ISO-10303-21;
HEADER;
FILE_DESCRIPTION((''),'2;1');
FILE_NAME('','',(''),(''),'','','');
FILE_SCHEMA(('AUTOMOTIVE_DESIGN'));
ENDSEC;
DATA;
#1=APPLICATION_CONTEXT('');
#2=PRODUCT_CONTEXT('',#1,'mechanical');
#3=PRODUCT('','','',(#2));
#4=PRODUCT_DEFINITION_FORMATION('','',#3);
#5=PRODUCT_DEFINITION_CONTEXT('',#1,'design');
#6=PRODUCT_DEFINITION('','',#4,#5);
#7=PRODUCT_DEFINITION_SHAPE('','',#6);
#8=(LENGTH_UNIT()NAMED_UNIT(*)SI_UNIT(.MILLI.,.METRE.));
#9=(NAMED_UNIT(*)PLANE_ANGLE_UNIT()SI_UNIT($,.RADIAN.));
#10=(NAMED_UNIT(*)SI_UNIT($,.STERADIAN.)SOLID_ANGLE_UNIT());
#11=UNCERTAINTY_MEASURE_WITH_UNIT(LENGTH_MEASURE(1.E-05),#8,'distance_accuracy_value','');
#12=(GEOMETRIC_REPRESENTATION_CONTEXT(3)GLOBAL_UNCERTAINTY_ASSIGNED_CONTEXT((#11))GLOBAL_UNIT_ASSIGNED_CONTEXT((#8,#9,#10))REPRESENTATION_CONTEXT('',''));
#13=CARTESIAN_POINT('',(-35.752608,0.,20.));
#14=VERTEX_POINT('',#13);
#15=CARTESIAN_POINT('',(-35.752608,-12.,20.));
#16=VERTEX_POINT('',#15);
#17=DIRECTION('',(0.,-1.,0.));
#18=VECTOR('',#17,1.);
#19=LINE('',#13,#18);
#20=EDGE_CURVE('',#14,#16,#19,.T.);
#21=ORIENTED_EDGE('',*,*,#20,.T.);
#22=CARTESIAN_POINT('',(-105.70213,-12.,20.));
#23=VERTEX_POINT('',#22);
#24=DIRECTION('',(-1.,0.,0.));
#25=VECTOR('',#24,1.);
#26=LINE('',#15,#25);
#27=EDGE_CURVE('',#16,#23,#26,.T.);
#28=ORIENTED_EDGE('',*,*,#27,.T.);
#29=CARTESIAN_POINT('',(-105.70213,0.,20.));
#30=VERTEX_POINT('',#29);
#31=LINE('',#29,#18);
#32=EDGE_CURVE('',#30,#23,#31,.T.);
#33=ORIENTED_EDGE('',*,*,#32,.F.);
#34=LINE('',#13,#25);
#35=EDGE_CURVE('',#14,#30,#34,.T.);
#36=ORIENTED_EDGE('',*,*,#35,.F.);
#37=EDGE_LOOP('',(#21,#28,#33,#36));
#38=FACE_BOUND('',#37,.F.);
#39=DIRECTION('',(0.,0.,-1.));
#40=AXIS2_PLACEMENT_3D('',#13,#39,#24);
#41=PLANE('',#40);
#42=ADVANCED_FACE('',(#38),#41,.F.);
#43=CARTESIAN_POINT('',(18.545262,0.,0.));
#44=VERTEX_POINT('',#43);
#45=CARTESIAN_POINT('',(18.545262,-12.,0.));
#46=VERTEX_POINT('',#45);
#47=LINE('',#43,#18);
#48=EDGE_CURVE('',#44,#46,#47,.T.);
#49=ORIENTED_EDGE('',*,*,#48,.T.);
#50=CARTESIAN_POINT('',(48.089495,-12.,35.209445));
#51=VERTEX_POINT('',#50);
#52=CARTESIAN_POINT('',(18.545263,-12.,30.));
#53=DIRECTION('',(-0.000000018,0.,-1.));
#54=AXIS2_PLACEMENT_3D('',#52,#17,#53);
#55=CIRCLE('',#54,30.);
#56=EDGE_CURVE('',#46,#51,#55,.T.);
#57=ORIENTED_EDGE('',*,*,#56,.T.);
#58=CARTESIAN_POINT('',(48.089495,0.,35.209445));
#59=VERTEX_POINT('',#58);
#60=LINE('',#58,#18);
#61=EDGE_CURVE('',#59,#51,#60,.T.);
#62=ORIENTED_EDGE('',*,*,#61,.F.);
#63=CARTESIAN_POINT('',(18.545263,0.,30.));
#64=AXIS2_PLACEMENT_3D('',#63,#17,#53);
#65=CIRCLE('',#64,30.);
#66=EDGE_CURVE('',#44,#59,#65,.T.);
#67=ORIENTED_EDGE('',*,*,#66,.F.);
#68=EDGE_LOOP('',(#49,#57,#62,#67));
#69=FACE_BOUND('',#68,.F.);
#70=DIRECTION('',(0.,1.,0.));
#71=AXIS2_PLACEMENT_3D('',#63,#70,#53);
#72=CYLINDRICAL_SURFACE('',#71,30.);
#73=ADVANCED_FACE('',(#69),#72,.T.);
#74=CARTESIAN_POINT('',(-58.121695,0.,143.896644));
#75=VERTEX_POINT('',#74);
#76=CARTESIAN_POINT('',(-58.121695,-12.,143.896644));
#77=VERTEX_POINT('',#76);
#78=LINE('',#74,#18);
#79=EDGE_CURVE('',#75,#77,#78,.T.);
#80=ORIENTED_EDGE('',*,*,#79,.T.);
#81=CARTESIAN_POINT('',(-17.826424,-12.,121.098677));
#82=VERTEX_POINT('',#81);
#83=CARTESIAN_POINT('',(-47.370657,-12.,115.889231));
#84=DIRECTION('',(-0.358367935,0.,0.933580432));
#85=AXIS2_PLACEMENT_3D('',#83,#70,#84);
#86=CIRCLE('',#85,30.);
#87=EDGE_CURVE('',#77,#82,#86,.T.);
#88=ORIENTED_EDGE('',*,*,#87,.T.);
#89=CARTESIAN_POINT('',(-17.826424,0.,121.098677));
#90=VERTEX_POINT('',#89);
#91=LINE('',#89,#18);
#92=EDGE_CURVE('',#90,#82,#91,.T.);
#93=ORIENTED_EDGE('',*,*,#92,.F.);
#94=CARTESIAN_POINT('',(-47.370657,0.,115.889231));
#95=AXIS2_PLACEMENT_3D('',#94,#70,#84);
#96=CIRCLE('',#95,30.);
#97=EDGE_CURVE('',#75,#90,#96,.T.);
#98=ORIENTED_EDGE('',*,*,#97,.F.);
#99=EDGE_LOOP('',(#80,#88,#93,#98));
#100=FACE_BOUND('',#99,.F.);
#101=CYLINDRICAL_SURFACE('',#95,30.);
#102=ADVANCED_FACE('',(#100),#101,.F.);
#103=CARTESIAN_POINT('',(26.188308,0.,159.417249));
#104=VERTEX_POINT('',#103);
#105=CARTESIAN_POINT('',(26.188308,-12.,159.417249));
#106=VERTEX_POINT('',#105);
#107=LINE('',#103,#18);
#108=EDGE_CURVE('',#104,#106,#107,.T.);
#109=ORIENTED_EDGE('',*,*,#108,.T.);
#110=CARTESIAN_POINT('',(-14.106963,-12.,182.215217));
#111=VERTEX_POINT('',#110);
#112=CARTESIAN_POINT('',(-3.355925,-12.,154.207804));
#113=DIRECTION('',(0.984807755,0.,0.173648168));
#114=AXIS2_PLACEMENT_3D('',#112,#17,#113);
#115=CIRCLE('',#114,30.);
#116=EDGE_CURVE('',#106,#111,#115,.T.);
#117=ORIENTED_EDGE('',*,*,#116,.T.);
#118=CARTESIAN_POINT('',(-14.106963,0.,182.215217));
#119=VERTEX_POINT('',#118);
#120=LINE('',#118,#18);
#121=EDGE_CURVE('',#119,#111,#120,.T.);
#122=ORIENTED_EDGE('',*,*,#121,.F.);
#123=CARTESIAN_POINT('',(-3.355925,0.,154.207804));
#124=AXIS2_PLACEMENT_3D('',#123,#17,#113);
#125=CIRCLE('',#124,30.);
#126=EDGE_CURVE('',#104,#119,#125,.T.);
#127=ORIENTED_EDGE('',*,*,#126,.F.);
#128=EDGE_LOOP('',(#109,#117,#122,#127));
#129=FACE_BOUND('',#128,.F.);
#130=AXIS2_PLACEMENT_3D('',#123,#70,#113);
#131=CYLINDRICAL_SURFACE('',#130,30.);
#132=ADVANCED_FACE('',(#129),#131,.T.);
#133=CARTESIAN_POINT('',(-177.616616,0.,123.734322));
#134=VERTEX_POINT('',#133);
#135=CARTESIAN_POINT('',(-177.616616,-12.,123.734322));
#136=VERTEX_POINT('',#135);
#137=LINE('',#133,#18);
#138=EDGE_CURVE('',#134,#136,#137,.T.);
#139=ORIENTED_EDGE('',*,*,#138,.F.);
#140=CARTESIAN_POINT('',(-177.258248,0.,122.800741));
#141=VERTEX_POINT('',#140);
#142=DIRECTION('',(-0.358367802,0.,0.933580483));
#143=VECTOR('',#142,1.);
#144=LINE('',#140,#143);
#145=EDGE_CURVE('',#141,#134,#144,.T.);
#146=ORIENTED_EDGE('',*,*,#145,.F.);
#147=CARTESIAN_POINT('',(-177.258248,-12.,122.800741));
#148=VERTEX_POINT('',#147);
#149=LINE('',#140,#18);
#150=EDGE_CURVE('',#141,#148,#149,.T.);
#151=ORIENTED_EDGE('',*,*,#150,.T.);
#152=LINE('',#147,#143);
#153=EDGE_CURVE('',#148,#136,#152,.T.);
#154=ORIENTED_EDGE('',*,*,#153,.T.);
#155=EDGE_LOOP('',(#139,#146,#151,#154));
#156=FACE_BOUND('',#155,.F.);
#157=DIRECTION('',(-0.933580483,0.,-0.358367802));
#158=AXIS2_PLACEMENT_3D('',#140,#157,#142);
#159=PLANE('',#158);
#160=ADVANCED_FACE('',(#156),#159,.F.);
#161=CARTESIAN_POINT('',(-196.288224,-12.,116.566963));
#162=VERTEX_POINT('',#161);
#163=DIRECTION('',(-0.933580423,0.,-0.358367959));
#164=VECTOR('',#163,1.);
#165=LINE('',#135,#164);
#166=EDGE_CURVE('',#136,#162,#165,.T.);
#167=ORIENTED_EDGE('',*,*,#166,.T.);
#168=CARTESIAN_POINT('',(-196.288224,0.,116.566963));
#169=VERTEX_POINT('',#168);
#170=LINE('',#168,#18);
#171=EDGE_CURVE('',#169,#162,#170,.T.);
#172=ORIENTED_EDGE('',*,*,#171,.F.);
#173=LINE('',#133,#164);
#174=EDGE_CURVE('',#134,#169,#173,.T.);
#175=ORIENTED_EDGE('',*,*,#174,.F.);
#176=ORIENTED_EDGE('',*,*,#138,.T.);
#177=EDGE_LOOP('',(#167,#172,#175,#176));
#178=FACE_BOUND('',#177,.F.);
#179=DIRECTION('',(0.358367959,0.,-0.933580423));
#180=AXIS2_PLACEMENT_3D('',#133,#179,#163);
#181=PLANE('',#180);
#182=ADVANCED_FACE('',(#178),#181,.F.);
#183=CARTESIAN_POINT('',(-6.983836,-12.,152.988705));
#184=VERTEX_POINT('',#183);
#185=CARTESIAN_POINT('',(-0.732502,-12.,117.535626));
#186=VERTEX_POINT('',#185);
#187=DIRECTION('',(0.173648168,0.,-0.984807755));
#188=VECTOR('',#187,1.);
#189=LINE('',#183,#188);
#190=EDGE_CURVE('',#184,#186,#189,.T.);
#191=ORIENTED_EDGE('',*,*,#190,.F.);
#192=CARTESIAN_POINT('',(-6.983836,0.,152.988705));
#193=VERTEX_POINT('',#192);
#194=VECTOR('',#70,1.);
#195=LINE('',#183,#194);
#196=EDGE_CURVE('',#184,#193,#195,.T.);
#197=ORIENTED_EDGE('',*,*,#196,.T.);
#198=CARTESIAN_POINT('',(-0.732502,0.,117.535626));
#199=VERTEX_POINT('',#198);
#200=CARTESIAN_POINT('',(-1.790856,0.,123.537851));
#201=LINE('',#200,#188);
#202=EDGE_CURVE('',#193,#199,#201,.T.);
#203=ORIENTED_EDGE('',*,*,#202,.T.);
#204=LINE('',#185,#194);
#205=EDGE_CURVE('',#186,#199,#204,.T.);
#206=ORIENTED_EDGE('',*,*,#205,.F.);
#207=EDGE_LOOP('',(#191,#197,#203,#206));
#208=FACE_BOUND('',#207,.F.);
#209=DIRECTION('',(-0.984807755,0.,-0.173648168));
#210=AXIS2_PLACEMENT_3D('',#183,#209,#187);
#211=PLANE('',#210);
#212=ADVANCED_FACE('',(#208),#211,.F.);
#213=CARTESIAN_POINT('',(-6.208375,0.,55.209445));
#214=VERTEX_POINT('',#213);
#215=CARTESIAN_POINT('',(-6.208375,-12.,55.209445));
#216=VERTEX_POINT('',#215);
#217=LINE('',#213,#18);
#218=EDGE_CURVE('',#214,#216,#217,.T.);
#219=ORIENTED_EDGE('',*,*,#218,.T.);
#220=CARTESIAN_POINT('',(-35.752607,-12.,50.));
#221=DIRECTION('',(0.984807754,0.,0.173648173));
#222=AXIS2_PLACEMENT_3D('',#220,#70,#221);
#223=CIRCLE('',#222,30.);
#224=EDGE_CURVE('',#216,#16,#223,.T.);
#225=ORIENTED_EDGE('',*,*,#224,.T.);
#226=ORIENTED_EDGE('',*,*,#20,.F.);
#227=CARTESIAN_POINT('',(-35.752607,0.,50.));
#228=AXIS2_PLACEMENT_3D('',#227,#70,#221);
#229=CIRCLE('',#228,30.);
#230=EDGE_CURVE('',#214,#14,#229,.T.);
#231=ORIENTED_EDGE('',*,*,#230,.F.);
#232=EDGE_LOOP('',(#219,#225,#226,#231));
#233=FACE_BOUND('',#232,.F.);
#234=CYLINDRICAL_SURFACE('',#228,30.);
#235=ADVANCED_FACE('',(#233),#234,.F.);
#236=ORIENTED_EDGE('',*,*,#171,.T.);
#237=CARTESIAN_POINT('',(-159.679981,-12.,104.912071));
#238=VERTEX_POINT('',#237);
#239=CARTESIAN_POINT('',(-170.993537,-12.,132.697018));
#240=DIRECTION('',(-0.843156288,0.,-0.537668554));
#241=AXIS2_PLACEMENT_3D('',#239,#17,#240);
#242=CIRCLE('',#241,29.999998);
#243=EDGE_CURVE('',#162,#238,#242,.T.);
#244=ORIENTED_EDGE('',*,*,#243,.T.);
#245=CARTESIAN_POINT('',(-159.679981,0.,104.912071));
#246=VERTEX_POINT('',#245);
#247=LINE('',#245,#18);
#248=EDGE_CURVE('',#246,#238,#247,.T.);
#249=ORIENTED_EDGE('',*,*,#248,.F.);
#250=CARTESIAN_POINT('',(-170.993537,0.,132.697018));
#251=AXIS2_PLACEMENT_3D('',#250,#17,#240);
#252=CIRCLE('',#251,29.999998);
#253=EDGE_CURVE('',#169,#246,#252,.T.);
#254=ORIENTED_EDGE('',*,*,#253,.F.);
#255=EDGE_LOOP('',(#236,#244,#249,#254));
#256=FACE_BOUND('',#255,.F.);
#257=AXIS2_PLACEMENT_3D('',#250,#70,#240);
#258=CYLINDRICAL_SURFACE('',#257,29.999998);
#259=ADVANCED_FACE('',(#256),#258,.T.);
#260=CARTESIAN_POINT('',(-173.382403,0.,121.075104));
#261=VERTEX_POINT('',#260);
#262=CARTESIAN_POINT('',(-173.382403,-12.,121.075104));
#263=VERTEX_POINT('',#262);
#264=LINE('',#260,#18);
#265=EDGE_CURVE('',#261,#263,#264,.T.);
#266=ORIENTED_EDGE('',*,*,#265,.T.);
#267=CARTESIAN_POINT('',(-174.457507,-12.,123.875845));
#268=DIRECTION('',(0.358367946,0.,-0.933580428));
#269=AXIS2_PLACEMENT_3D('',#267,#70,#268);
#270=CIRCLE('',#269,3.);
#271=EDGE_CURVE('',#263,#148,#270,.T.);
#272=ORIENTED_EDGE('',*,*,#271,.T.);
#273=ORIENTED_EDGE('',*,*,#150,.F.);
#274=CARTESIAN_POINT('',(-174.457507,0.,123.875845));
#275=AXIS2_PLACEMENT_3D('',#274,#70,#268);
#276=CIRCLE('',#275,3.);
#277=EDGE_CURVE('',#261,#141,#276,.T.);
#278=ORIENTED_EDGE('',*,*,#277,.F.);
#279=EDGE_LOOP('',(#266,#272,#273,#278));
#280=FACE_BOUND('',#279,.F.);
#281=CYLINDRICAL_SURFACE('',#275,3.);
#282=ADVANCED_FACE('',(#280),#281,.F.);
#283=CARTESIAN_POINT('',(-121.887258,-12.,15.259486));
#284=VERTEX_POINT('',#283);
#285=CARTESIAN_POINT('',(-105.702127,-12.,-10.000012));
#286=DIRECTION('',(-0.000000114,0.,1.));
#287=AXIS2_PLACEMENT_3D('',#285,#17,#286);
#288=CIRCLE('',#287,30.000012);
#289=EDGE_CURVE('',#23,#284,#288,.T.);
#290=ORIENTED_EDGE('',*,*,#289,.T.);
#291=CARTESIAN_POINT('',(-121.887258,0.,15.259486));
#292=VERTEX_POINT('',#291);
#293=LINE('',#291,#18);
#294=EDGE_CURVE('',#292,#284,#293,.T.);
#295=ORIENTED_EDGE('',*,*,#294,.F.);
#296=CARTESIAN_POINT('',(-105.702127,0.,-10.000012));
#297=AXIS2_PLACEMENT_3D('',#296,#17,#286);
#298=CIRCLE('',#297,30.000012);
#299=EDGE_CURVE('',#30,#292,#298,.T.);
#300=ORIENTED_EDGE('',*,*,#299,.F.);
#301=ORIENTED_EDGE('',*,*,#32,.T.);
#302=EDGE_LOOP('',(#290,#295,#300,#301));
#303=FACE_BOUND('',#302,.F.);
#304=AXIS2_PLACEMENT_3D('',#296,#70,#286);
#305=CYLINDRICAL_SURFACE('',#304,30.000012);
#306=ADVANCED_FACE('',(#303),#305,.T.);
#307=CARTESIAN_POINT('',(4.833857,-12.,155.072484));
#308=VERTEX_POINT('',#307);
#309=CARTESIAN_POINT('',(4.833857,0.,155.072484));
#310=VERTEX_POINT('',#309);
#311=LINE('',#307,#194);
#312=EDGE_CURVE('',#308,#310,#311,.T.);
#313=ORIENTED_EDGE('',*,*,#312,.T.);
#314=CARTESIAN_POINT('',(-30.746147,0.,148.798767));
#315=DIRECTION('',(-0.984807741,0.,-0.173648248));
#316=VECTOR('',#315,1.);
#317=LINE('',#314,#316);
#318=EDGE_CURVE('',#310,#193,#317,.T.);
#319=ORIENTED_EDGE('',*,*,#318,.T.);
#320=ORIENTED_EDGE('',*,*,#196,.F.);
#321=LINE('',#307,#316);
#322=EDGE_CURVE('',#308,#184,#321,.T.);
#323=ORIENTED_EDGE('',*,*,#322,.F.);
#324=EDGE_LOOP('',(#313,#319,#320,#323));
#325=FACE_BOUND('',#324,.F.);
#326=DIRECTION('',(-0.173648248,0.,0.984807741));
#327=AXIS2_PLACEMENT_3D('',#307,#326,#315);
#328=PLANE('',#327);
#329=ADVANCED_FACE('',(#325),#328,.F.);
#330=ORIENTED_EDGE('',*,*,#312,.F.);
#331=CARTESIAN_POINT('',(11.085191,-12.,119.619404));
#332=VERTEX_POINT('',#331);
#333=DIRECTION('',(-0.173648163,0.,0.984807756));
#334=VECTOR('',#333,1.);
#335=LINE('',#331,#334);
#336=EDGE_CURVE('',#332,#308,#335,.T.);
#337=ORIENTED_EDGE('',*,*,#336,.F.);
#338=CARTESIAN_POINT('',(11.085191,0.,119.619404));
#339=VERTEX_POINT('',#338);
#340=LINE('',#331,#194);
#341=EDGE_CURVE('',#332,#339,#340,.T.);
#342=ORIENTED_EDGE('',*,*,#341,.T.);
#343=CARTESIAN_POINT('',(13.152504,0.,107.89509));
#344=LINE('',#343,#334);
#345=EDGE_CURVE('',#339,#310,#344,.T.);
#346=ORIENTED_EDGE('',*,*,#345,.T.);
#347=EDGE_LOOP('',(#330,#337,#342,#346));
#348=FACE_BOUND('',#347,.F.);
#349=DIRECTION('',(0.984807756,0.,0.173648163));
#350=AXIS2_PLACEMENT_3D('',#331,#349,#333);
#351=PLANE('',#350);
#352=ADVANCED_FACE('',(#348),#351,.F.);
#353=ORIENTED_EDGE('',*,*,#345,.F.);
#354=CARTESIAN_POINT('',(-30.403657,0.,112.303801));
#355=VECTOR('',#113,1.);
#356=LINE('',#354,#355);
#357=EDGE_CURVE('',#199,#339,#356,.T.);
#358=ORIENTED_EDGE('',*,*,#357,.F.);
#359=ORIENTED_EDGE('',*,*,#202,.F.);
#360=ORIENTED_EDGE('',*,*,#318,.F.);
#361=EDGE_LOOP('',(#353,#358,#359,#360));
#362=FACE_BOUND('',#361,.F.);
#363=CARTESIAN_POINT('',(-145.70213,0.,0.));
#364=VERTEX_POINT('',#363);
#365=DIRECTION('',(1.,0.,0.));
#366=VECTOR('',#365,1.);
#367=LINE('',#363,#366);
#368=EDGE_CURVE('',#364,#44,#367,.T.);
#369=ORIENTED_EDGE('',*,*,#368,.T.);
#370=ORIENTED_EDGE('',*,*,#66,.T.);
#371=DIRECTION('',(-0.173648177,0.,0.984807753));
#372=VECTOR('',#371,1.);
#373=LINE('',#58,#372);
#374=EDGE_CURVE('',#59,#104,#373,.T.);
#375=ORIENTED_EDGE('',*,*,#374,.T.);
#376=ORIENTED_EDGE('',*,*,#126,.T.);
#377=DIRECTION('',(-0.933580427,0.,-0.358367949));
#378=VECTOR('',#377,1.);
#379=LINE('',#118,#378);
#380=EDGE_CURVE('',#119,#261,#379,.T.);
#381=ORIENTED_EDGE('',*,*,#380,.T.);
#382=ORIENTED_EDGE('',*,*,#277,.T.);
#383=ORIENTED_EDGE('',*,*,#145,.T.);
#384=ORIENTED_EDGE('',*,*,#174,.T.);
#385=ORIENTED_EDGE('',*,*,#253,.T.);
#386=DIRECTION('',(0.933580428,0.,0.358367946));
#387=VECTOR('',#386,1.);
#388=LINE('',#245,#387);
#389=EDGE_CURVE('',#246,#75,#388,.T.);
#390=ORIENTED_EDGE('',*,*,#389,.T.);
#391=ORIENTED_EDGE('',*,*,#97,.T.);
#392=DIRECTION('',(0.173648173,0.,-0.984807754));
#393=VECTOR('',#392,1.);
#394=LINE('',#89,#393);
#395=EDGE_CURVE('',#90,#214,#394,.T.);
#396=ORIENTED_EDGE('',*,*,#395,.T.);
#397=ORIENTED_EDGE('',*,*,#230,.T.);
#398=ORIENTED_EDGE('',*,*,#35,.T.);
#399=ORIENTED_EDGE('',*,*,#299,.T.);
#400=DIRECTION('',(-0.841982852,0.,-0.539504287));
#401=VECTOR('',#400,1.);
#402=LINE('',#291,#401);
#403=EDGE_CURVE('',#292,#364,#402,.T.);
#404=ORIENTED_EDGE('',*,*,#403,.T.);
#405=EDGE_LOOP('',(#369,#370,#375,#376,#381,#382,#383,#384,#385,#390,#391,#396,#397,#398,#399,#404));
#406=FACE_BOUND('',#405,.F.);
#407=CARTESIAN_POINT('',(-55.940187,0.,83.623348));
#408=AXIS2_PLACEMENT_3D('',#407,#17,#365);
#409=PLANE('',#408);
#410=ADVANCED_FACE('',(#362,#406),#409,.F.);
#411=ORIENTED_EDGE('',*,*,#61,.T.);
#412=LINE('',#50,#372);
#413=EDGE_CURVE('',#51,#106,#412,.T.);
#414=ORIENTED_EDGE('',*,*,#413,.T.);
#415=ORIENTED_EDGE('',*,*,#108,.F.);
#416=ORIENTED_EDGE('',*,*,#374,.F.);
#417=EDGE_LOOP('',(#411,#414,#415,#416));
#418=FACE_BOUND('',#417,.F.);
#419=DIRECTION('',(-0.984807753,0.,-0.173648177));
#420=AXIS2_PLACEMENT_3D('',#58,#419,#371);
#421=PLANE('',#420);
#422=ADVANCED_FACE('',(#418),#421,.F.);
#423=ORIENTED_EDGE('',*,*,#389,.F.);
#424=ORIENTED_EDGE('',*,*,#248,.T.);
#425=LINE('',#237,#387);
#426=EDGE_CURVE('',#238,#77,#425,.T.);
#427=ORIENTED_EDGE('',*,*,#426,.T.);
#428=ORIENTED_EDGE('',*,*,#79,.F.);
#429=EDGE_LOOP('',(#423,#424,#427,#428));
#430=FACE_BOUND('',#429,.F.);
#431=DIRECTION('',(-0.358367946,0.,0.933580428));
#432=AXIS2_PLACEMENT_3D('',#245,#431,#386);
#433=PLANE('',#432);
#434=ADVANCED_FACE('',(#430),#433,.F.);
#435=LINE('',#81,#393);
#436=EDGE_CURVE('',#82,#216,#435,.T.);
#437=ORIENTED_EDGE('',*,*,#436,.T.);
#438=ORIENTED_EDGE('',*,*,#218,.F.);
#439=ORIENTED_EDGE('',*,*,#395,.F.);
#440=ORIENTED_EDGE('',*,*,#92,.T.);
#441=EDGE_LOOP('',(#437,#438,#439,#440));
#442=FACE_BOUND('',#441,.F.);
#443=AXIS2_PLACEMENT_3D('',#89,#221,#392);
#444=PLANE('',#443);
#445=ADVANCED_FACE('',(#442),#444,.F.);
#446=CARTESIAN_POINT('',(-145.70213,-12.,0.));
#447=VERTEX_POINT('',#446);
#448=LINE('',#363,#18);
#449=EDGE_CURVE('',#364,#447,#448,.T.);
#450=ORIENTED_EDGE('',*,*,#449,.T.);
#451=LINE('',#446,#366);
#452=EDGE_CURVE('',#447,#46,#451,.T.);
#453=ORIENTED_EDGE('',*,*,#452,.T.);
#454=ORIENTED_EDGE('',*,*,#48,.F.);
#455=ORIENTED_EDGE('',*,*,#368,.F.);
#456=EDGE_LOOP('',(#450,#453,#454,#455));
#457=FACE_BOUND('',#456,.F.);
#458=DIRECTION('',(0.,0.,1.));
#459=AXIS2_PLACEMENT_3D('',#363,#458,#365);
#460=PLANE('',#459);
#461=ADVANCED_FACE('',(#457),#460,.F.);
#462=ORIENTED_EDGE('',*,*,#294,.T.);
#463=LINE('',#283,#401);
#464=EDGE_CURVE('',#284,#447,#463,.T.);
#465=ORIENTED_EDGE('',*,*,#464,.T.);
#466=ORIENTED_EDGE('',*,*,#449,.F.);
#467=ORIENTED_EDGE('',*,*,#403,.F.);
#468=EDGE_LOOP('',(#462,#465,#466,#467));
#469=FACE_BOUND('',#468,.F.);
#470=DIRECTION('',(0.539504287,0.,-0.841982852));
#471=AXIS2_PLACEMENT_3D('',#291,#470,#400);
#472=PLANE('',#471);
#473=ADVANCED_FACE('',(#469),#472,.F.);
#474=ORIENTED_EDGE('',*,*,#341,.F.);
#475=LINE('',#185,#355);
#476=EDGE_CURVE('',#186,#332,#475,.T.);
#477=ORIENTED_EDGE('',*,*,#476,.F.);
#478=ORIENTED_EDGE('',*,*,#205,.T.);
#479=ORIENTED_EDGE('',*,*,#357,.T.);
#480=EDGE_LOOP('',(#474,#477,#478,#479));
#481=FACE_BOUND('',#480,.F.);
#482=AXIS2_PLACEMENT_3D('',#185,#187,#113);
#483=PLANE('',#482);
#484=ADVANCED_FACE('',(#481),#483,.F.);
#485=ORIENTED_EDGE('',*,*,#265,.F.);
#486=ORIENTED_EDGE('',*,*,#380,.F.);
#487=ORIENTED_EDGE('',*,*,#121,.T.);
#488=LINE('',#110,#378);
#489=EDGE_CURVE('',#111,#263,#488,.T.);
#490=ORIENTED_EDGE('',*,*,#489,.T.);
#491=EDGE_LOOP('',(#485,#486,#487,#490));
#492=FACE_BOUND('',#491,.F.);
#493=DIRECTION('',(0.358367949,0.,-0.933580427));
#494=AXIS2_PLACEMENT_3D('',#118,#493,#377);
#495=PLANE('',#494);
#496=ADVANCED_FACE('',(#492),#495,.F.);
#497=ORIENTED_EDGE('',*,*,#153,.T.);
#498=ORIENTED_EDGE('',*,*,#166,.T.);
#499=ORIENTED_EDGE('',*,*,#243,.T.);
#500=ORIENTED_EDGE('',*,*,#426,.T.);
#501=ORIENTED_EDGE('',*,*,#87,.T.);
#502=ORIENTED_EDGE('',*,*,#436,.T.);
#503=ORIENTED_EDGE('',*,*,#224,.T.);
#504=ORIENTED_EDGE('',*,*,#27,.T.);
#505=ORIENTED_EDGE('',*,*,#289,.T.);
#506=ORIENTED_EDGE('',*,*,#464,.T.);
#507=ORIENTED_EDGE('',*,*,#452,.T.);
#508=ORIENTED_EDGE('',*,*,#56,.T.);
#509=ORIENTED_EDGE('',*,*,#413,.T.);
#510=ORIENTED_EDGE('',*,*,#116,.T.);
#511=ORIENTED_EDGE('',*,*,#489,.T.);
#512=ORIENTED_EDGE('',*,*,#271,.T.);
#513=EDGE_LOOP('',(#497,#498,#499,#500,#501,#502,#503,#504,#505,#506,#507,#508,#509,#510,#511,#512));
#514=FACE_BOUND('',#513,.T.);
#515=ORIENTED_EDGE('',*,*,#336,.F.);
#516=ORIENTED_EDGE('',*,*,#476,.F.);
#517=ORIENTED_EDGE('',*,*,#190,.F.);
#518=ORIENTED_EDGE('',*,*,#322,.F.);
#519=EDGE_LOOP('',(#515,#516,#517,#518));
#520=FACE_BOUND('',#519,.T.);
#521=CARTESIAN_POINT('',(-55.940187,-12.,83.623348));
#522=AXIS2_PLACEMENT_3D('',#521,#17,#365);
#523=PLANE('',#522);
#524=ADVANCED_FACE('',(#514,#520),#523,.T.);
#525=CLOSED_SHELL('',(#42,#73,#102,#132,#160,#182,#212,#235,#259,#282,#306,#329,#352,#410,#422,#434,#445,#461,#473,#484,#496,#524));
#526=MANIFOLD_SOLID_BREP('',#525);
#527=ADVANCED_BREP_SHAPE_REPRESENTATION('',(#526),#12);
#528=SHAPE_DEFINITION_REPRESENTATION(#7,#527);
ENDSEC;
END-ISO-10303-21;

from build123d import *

# Parameters (mm, degrees)
F1_DEPTH = 12
F3_DEPTH = 12.001


with BuildPart() as f1:
    # F0 (on Front) → F1 (new body)
    with BuildSketch(Plane.XZ):
        with BuildLine():
            Line((-177.258248, 122.800741), (-177.616616, 123.734322))
            Line((-177.616616, 123.734322), (-196.288224, 116.566963))
            ThreePointArc((-196.288224, 116.566963), (-180.094478, 104.110785), (-159.679981, 104.912071))
            Line((-159.679981, 104.912071), (-58.121695, 143.896644))
            ThreePointArc((-58.121695, 143.896644), (-32.59795, 141.999902), (-17.826424, 121.098677))
            Line((-17.826424, 121.098677), (-6.208375, 55.209445))
            ThreePointArc((-6.208375, 55.209445), (-12.771274, 30.716372), (-35.752608, 20))
            Line((-35.752608, 20), (-105.70213, 20))
            ThreePointArc((-105.70213, 20), (-114.134669, 18.790489), (-121.887258, 15.259486))
            Line((-121.887258, 15.259486), (-145.70213, 0))
            Line((-145.70213, 0), (18.545262, 0))
            ThreePointArc((18.545262, 0), (41.526596, 10.716372), (48.089495, 35.209445))
            Line((48.089495, 35.209445), (26.188308, 159.417249))
            ThreePointArc((26.188308, 159.417249), (11.416782, 180.318475), (-14.106963, 182.215217))
            Line((-14.106963, 182.215217), (-173.382403, 121.075104))
            ThreePointArc((-173.382403, 121.075104), (-175.677717, 121.135209), (-177.258248, 122.800741))
        make_face()
    extrude(amount=F1_DEPTH)

    # F2 (on face) → F3 (cut, through all)
    with BuildSketch(Plane.XZ.offset(12)):
        Polygon((4.833857, 155.072484), (-6.983836, 152.988705), (-0.732502, 117.535626), (11.085191, 119.619404), align=None)
    extrude(amount=-F3_DEPTH, mode=Mode.SUBTRACT)


solid = f1.part
